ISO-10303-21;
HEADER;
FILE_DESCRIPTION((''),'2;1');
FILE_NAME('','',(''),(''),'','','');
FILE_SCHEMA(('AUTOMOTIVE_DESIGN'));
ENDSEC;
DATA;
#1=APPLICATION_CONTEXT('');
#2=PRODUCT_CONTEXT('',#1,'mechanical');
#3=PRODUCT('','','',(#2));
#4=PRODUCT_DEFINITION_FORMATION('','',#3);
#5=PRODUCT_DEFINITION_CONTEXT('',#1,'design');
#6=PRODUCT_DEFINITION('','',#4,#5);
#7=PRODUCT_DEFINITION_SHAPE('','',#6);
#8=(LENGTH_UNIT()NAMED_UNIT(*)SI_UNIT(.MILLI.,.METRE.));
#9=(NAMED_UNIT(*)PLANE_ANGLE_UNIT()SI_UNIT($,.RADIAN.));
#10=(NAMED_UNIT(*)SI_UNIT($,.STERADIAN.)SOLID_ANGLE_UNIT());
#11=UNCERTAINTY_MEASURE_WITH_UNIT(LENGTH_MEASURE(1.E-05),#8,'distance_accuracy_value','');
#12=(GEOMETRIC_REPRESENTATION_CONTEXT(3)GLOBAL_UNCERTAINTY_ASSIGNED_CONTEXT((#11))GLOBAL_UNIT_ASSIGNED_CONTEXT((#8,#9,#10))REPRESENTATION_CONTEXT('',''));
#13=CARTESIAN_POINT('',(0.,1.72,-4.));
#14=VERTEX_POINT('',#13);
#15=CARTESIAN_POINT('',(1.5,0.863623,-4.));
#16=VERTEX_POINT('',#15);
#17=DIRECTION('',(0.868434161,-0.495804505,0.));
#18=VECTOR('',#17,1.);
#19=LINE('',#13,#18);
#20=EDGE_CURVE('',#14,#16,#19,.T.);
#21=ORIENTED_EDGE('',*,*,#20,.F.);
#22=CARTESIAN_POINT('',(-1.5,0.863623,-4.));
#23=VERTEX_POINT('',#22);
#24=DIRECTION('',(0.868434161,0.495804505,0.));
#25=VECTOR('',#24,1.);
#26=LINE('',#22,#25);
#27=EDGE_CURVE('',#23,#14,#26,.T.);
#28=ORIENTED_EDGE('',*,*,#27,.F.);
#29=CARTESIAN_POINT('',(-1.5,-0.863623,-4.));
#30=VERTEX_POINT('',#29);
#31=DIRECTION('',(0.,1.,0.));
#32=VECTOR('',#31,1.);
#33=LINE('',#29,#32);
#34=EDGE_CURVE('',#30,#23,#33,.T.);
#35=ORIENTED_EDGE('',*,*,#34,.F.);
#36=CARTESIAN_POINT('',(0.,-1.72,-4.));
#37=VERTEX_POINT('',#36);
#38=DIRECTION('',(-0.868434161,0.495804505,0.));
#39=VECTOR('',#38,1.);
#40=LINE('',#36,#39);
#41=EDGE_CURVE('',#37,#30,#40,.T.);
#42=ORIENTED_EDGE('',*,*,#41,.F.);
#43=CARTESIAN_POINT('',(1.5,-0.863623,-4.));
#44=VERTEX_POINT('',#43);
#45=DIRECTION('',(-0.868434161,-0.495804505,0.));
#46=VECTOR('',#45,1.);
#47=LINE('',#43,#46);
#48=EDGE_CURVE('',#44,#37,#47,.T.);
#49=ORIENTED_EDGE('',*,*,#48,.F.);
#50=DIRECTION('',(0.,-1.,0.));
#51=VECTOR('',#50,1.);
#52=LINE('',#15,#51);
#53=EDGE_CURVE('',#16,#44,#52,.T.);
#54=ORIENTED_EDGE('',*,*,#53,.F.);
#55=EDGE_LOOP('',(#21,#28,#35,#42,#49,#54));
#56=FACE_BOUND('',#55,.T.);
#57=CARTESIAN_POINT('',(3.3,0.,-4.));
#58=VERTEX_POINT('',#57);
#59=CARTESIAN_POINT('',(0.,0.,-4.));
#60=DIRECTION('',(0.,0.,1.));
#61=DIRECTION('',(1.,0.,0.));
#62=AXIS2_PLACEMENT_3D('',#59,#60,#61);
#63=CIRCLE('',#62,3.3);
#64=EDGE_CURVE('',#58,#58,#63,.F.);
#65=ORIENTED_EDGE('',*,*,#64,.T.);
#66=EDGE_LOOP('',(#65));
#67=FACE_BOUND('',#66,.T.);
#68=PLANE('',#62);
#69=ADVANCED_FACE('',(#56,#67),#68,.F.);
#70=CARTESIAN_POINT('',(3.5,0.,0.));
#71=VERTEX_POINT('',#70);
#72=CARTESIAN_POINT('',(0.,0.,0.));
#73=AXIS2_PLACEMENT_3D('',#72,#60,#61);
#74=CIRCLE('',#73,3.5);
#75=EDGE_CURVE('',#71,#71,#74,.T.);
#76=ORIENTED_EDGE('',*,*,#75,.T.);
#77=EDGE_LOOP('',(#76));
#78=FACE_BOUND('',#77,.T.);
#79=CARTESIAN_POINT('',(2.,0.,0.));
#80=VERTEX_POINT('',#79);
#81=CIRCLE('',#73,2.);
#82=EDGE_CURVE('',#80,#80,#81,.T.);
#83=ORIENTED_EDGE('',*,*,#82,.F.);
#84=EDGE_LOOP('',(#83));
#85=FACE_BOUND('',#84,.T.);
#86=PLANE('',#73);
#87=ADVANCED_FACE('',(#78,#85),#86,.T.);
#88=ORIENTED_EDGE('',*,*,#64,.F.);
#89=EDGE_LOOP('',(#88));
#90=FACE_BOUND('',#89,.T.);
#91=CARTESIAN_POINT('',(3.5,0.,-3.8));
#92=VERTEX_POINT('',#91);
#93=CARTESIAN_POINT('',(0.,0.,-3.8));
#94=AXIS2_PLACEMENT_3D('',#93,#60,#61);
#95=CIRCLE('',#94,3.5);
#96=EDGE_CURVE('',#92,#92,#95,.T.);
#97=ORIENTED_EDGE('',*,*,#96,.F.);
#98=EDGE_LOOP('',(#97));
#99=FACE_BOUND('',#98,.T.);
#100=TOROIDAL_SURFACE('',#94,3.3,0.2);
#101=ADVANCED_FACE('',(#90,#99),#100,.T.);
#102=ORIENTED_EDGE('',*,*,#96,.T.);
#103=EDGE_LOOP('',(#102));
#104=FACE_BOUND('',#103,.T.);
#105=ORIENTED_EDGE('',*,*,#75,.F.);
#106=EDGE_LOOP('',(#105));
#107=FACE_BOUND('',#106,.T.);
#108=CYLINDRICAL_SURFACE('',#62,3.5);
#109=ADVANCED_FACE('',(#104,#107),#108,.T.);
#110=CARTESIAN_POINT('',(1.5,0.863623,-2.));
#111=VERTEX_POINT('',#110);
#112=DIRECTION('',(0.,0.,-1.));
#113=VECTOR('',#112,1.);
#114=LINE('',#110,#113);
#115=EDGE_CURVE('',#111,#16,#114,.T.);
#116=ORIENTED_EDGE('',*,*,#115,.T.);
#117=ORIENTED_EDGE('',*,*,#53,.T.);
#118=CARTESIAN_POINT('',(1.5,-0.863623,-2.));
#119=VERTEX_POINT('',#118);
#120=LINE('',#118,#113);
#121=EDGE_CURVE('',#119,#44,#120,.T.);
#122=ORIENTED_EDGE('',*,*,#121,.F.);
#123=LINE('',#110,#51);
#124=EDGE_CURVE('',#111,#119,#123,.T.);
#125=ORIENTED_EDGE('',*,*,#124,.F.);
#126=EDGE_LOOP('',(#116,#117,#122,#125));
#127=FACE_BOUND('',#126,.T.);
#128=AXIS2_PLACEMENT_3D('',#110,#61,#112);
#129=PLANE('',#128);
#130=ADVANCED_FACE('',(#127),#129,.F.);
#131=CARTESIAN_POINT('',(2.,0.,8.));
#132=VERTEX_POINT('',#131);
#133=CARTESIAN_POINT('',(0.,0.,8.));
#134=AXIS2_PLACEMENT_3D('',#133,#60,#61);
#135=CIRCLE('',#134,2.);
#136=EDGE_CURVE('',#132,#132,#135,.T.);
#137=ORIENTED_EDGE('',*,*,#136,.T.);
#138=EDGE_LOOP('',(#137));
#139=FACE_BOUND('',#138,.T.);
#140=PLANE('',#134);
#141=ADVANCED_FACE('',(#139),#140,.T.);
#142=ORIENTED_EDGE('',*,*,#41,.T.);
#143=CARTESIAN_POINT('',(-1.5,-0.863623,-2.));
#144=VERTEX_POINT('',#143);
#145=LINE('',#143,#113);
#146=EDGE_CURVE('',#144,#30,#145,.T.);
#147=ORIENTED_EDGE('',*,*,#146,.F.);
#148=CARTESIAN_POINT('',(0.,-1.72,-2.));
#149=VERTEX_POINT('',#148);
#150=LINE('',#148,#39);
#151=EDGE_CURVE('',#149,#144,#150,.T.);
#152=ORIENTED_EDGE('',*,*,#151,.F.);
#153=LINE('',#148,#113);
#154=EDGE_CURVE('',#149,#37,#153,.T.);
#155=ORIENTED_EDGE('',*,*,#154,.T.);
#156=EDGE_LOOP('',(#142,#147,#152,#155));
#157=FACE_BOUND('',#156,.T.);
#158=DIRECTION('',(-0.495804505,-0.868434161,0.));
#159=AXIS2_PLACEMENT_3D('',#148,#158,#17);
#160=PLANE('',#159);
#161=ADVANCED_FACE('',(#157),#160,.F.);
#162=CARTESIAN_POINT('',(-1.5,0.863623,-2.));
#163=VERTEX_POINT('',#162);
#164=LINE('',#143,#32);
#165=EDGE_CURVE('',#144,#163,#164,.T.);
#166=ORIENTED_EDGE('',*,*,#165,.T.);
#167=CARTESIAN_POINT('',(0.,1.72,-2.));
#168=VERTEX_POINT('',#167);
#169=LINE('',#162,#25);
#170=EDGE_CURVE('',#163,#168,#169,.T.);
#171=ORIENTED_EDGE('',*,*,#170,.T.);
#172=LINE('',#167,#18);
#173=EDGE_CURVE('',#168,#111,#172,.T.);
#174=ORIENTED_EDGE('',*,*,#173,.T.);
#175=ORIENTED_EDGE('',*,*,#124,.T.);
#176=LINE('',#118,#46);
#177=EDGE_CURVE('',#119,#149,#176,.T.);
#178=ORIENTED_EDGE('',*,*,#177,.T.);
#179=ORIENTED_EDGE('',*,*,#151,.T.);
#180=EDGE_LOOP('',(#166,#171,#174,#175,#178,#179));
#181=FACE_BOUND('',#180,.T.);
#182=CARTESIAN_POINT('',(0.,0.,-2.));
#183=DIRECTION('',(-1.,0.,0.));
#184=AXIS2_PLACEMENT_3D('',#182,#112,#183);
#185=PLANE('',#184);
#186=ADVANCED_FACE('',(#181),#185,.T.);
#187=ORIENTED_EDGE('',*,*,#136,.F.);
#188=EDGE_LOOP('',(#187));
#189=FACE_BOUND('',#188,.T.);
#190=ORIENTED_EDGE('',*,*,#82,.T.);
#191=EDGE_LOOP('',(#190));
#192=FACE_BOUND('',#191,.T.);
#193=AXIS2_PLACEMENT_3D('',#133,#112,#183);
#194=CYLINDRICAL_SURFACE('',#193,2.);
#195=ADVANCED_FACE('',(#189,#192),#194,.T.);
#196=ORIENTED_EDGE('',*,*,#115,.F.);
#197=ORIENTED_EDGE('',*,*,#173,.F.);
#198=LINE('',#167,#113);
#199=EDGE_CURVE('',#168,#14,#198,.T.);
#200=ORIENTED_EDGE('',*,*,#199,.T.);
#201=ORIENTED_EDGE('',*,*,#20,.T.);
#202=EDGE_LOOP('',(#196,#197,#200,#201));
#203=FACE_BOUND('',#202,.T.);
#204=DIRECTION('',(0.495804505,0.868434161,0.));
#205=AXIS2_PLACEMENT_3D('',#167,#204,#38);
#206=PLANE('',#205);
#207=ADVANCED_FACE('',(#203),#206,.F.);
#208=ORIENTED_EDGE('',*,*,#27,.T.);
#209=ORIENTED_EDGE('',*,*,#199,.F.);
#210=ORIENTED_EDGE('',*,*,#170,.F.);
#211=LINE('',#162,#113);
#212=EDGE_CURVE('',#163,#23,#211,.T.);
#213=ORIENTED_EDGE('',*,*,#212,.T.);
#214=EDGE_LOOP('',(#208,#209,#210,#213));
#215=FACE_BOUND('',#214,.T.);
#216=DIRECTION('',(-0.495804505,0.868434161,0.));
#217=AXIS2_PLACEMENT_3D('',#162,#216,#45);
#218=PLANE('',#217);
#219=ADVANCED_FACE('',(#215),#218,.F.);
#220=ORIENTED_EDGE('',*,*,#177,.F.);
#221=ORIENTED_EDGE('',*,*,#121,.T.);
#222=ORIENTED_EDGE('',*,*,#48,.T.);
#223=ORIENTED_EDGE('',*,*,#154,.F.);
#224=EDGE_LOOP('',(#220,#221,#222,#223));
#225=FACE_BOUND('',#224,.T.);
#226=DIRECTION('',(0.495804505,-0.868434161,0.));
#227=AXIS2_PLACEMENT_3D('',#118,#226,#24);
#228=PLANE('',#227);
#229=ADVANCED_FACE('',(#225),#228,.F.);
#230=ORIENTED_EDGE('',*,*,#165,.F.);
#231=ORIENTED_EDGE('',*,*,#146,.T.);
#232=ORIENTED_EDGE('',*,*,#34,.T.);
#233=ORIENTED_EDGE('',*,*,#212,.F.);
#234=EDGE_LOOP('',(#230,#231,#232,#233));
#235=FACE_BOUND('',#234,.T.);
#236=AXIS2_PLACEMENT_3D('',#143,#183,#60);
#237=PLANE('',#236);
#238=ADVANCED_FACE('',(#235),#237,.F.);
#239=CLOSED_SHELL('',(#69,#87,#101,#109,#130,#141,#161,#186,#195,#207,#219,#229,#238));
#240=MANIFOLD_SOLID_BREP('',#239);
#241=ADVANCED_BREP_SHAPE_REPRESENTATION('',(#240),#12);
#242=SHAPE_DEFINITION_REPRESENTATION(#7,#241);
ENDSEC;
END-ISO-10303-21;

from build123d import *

# Parameters (mm, degrees)
SKETCH_1_R          = 2
EXTRUDE_1_DEPTH     = 8
SKETCH_2_R          = 3.5
EXTRUDE_2_DEPTH     = 4
CUT_EXTRUDE_1_DEPTH = 2
FILLET_1_R          = 0.2


with BuildPart() as part:
    # 草图1 → 凸台-拉伸1 (new body)
    with BuildSketch(Plane.XY):
        Circle(SKETCH_1_R)
    extrude(amount=EXTRUDE_1_DEPTH)

    # 草图2 → 凸台-拉伸2 (add)
    with BuildSketch(Plane.XY):
        Circle(SKETCH_2_R)
    extrude(amount=-EXTRUDE_2_DEPTH)

    # 草图3 → 切除-拉伸1 (cut)
    with BuildSketch(Plane(origin=(0, 0, -4), x_dir=(-1, 0, 0), z_dir=(0, 0, -1))):
        Polygon((0, 1.72), (-1.5, 0.863623327), (-1.5, -0.863623327), (0, -1.72), (1.5, -0.863623327), (1.5, 0.863623327), align=None)
    extrude(amount=-CUT_EXTRUDE_1_DEPTH, mode=Mode.SUBTRACT)

    # 圆角1
    fillet_1_edges = [part.edges().sort_by_distance(p)[0] for p in [
        (-3.5, 0, -4),
    ]]
    fillet(fillet_1_edges, radius=FILLET_1_R)


solid = part.part
